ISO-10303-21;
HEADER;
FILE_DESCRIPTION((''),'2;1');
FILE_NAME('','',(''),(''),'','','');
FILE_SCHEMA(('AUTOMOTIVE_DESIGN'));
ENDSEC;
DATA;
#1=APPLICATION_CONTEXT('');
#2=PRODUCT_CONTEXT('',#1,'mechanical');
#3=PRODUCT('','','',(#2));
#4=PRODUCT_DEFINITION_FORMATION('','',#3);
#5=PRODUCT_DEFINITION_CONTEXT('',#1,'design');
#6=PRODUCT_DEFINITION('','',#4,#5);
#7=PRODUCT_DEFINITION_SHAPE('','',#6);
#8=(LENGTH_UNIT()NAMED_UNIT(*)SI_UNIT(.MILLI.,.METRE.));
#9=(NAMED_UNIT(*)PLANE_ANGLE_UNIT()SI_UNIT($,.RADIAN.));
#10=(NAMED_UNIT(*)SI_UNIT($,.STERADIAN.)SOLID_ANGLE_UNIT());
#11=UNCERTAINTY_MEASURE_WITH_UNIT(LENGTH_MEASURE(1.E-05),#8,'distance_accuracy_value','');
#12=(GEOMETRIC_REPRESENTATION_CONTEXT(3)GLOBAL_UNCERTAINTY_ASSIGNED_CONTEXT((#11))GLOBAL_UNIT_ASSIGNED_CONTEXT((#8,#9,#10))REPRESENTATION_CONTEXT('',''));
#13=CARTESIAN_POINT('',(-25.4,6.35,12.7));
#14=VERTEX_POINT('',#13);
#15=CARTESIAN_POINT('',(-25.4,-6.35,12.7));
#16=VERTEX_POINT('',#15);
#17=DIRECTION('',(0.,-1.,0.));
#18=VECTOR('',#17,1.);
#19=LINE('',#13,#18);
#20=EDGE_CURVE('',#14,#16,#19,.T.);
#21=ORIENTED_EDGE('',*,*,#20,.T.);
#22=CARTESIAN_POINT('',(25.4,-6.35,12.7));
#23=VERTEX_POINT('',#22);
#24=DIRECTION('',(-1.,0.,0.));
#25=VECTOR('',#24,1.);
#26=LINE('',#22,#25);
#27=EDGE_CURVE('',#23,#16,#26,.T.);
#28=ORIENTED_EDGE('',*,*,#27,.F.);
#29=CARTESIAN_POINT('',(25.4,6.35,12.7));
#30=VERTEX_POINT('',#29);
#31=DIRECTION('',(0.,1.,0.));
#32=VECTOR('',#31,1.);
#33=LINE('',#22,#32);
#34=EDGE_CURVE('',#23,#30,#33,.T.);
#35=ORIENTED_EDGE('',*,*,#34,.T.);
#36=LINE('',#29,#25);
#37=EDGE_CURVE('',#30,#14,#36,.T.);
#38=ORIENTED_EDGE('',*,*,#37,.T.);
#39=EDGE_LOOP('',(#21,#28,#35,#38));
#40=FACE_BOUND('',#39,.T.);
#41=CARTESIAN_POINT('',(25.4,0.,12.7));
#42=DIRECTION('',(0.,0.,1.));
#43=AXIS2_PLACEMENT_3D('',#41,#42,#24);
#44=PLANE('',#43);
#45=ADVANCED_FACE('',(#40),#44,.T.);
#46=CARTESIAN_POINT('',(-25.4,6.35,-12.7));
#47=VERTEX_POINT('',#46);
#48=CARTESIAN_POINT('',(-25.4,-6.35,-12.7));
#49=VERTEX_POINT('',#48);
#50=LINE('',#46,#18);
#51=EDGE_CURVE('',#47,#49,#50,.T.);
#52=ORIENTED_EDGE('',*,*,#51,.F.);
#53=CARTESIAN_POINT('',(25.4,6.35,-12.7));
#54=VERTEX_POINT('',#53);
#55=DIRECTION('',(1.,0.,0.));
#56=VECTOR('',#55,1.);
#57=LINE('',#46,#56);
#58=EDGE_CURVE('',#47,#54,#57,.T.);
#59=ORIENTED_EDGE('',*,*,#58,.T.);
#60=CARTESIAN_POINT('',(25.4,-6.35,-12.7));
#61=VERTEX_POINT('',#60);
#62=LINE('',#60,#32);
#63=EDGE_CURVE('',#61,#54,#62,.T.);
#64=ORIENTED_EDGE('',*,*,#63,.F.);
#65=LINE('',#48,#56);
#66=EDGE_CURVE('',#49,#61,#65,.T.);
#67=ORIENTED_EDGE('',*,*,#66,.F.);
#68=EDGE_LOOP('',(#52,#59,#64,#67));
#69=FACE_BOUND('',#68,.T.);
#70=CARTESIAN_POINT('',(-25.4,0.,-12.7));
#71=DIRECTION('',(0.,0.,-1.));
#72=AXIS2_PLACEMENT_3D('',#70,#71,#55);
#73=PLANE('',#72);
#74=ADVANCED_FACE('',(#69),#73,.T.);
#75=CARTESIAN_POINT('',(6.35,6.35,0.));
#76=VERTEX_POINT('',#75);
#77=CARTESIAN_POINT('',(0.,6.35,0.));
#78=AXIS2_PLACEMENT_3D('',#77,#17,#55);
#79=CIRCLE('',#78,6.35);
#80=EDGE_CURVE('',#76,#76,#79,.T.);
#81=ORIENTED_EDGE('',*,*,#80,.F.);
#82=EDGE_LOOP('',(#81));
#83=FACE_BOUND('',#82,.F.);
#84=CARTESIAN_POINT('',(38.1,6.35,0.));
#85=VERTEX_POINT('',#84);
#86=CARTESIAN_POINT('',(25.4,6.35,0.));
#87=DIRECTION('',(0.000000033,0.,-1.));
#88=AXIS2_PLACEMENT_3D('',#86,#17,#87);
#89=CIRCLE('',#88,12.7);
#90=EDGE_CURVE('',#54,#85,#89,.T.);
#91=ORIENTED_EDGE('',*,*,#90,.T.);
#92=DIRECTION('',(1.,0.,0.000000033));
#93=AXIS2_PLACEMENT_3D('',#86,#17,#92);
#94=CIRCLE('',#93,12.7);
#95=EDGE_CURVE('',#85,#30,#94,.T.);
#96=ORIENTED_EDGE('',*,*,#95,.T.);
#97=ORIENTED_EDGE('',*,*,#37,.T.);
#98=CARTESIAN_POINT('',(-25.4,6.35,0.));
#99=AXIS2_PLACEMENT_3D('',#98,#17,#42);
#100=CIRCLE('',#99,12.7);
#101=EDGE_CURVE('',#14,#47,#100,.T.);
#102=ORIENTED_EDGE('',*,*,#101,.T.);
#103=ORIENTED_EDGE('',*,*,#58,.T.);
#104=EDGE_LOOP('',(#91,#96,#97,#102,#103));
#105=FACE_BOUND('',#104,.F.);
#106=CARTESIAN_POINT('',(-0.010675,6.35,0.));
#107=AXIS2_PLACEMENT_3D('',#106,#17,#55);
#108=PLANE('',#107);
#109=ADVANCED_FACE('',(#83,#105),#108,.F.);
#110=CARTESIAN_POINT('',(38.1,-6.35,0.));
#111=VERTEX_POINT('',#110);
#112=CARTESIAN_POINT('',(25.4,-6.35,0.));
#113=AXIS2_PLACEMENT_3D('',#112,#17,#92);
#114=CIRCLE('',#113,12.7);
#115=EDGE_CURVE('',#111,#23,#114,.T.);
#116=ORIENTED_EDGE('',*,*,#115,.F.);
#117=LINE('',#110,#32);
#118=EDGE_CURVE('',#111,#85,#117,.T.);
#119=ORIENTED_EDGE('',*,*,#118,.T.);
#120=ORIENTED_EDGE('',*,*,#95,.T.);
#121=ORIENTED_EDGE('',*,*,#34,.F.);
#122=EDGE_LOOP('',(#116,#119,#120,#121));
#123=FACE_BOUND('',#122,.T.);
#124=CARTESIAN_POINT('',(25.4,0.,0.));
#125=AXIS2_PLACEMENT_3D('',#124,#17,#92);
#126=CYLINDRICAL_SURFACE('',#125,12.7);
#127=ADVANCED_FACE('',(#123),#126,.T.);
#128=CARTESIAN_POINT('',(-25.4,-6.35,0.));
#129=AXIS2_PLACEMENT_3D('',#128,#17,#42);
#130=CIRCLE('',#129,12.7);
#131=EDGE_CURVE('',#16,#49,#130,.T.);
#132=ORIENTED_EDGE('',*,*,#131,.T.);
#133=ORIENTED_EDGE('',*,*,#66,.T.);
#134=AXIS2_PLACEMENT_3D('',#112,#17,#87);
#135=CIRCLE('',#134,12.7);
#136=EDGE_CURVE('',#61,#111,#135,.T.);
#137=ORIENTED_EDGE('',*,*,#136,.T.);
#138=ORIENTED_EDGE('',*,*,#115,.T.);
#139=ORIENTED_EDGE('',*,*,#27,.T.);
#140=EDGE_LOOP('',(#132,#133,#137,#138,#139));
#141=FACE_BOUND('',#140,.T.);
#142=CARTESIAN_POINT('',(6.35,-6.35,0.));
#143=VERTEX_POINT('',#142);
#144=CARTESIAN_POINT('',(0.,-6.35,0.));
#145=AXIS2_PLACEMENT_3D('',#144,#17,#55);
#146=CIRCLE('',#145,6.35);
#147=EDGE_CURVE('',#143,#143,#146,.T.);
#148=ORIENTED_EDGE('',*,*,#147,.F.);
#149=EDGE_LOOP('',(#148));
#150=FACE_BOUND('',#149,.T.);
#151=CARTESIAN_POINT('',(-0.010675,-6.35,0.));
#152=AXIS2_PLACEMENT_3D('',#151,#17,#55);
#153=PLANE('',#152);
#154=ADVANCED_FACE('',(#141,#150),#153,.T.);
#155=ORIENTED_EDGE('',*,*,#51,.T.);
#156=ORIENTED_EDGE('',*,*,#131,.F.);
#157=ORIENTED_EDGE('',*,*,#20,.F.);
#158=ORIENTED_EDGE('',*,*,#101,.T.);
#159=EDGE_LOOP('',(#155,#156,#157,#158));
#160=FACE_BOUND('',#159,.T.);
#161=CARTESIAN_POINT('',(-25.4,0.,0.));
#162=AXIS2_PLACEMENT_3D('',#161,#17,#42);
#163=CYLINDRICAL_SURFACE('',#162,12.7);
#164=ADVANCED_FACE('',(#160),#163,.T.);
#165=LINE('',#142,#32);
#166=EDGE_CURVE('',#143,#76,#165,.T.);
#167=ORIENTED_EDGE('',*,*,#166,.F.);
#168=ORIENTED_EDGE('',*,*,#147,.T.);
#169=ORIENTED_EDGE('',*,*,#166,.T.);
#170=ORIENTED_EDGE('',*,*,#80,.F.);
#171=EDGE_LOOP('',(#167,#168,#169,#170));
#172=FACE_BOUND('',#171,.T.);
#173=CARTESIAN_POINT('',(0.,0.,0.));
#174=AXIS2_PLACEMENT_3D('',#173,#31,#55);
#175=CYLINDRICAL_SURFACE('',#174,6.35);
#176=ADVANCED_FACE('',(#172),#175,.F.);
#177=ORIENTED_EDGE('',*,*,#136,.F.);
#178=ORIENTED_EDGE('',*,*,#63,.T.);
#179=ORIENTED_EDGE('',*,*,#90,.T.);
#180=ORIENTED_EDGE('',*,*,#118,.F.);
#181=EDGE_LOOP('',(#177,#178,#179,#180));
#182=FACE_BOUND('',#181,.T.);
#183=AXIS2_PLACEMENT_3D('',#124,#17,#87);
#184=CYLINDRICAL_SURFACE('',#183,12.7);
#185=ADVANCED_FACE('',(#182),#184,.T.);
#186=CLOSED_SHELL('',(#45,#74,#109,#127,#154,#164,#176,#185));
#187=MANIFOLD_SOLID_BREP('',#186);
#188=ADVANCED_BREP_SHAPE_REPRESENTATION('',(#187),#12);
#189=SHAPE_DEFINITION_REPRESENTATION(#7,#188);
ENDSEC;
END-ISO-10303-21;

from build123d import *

# Parameters (mm, degrees)
F0_R     = 6.35
F1_DEPTH = 6.35


with BuildPart() as f1:
    # F0 (on Front) → F1 (new body, symmetric)
    with BuildSketch(Plane.XZ):
        with BuildLine():
            Line((25.4, 12.7), (-25.4, 12.7))
            ThreePointArc((-25.4, 12.7), (-16.419744, 8.980256), (-12.7, 0))
            ThreePointArc((-12.7, 0), (-16.419744, -8.980256), (-25.4, -12.7))
            Line((-25.4, -12.7), (25.4, -12.7))
            ThreePointArc((25.4, -12.7), (12.7, 0), (25.4, 12.7))
        make_face()
        Circle(F0_R, mode=Mode.SUBTRACT)
        with BuildLine():
            ThreePointArc((38.1, 0), (34.380256, 8.980256), (25.4, 12.7))
            ThreePointArc((25.4, 12.7), (12.7, 0), (25.4, -12.7))
            ThreePointArc((25.4, -12.7), (34.380256, -8.980256), (38.1, 0))
        make_face()
        with BuildLine():
            ThreePointArc((-12.7, 0), (-16.419744, 8.980256), (-25.4, 12.7))
            ThreePointArc((-25.4, 12.7), (-38.1, 0), (-25.4, -12.7))
            ThreePointArc((-25.4, -12.7), (-16.419744, -8.980256), (-12.7, 0))
        make_face()
    extrude(amount=F1_DEPTH, both=True)


solid = f1.part
